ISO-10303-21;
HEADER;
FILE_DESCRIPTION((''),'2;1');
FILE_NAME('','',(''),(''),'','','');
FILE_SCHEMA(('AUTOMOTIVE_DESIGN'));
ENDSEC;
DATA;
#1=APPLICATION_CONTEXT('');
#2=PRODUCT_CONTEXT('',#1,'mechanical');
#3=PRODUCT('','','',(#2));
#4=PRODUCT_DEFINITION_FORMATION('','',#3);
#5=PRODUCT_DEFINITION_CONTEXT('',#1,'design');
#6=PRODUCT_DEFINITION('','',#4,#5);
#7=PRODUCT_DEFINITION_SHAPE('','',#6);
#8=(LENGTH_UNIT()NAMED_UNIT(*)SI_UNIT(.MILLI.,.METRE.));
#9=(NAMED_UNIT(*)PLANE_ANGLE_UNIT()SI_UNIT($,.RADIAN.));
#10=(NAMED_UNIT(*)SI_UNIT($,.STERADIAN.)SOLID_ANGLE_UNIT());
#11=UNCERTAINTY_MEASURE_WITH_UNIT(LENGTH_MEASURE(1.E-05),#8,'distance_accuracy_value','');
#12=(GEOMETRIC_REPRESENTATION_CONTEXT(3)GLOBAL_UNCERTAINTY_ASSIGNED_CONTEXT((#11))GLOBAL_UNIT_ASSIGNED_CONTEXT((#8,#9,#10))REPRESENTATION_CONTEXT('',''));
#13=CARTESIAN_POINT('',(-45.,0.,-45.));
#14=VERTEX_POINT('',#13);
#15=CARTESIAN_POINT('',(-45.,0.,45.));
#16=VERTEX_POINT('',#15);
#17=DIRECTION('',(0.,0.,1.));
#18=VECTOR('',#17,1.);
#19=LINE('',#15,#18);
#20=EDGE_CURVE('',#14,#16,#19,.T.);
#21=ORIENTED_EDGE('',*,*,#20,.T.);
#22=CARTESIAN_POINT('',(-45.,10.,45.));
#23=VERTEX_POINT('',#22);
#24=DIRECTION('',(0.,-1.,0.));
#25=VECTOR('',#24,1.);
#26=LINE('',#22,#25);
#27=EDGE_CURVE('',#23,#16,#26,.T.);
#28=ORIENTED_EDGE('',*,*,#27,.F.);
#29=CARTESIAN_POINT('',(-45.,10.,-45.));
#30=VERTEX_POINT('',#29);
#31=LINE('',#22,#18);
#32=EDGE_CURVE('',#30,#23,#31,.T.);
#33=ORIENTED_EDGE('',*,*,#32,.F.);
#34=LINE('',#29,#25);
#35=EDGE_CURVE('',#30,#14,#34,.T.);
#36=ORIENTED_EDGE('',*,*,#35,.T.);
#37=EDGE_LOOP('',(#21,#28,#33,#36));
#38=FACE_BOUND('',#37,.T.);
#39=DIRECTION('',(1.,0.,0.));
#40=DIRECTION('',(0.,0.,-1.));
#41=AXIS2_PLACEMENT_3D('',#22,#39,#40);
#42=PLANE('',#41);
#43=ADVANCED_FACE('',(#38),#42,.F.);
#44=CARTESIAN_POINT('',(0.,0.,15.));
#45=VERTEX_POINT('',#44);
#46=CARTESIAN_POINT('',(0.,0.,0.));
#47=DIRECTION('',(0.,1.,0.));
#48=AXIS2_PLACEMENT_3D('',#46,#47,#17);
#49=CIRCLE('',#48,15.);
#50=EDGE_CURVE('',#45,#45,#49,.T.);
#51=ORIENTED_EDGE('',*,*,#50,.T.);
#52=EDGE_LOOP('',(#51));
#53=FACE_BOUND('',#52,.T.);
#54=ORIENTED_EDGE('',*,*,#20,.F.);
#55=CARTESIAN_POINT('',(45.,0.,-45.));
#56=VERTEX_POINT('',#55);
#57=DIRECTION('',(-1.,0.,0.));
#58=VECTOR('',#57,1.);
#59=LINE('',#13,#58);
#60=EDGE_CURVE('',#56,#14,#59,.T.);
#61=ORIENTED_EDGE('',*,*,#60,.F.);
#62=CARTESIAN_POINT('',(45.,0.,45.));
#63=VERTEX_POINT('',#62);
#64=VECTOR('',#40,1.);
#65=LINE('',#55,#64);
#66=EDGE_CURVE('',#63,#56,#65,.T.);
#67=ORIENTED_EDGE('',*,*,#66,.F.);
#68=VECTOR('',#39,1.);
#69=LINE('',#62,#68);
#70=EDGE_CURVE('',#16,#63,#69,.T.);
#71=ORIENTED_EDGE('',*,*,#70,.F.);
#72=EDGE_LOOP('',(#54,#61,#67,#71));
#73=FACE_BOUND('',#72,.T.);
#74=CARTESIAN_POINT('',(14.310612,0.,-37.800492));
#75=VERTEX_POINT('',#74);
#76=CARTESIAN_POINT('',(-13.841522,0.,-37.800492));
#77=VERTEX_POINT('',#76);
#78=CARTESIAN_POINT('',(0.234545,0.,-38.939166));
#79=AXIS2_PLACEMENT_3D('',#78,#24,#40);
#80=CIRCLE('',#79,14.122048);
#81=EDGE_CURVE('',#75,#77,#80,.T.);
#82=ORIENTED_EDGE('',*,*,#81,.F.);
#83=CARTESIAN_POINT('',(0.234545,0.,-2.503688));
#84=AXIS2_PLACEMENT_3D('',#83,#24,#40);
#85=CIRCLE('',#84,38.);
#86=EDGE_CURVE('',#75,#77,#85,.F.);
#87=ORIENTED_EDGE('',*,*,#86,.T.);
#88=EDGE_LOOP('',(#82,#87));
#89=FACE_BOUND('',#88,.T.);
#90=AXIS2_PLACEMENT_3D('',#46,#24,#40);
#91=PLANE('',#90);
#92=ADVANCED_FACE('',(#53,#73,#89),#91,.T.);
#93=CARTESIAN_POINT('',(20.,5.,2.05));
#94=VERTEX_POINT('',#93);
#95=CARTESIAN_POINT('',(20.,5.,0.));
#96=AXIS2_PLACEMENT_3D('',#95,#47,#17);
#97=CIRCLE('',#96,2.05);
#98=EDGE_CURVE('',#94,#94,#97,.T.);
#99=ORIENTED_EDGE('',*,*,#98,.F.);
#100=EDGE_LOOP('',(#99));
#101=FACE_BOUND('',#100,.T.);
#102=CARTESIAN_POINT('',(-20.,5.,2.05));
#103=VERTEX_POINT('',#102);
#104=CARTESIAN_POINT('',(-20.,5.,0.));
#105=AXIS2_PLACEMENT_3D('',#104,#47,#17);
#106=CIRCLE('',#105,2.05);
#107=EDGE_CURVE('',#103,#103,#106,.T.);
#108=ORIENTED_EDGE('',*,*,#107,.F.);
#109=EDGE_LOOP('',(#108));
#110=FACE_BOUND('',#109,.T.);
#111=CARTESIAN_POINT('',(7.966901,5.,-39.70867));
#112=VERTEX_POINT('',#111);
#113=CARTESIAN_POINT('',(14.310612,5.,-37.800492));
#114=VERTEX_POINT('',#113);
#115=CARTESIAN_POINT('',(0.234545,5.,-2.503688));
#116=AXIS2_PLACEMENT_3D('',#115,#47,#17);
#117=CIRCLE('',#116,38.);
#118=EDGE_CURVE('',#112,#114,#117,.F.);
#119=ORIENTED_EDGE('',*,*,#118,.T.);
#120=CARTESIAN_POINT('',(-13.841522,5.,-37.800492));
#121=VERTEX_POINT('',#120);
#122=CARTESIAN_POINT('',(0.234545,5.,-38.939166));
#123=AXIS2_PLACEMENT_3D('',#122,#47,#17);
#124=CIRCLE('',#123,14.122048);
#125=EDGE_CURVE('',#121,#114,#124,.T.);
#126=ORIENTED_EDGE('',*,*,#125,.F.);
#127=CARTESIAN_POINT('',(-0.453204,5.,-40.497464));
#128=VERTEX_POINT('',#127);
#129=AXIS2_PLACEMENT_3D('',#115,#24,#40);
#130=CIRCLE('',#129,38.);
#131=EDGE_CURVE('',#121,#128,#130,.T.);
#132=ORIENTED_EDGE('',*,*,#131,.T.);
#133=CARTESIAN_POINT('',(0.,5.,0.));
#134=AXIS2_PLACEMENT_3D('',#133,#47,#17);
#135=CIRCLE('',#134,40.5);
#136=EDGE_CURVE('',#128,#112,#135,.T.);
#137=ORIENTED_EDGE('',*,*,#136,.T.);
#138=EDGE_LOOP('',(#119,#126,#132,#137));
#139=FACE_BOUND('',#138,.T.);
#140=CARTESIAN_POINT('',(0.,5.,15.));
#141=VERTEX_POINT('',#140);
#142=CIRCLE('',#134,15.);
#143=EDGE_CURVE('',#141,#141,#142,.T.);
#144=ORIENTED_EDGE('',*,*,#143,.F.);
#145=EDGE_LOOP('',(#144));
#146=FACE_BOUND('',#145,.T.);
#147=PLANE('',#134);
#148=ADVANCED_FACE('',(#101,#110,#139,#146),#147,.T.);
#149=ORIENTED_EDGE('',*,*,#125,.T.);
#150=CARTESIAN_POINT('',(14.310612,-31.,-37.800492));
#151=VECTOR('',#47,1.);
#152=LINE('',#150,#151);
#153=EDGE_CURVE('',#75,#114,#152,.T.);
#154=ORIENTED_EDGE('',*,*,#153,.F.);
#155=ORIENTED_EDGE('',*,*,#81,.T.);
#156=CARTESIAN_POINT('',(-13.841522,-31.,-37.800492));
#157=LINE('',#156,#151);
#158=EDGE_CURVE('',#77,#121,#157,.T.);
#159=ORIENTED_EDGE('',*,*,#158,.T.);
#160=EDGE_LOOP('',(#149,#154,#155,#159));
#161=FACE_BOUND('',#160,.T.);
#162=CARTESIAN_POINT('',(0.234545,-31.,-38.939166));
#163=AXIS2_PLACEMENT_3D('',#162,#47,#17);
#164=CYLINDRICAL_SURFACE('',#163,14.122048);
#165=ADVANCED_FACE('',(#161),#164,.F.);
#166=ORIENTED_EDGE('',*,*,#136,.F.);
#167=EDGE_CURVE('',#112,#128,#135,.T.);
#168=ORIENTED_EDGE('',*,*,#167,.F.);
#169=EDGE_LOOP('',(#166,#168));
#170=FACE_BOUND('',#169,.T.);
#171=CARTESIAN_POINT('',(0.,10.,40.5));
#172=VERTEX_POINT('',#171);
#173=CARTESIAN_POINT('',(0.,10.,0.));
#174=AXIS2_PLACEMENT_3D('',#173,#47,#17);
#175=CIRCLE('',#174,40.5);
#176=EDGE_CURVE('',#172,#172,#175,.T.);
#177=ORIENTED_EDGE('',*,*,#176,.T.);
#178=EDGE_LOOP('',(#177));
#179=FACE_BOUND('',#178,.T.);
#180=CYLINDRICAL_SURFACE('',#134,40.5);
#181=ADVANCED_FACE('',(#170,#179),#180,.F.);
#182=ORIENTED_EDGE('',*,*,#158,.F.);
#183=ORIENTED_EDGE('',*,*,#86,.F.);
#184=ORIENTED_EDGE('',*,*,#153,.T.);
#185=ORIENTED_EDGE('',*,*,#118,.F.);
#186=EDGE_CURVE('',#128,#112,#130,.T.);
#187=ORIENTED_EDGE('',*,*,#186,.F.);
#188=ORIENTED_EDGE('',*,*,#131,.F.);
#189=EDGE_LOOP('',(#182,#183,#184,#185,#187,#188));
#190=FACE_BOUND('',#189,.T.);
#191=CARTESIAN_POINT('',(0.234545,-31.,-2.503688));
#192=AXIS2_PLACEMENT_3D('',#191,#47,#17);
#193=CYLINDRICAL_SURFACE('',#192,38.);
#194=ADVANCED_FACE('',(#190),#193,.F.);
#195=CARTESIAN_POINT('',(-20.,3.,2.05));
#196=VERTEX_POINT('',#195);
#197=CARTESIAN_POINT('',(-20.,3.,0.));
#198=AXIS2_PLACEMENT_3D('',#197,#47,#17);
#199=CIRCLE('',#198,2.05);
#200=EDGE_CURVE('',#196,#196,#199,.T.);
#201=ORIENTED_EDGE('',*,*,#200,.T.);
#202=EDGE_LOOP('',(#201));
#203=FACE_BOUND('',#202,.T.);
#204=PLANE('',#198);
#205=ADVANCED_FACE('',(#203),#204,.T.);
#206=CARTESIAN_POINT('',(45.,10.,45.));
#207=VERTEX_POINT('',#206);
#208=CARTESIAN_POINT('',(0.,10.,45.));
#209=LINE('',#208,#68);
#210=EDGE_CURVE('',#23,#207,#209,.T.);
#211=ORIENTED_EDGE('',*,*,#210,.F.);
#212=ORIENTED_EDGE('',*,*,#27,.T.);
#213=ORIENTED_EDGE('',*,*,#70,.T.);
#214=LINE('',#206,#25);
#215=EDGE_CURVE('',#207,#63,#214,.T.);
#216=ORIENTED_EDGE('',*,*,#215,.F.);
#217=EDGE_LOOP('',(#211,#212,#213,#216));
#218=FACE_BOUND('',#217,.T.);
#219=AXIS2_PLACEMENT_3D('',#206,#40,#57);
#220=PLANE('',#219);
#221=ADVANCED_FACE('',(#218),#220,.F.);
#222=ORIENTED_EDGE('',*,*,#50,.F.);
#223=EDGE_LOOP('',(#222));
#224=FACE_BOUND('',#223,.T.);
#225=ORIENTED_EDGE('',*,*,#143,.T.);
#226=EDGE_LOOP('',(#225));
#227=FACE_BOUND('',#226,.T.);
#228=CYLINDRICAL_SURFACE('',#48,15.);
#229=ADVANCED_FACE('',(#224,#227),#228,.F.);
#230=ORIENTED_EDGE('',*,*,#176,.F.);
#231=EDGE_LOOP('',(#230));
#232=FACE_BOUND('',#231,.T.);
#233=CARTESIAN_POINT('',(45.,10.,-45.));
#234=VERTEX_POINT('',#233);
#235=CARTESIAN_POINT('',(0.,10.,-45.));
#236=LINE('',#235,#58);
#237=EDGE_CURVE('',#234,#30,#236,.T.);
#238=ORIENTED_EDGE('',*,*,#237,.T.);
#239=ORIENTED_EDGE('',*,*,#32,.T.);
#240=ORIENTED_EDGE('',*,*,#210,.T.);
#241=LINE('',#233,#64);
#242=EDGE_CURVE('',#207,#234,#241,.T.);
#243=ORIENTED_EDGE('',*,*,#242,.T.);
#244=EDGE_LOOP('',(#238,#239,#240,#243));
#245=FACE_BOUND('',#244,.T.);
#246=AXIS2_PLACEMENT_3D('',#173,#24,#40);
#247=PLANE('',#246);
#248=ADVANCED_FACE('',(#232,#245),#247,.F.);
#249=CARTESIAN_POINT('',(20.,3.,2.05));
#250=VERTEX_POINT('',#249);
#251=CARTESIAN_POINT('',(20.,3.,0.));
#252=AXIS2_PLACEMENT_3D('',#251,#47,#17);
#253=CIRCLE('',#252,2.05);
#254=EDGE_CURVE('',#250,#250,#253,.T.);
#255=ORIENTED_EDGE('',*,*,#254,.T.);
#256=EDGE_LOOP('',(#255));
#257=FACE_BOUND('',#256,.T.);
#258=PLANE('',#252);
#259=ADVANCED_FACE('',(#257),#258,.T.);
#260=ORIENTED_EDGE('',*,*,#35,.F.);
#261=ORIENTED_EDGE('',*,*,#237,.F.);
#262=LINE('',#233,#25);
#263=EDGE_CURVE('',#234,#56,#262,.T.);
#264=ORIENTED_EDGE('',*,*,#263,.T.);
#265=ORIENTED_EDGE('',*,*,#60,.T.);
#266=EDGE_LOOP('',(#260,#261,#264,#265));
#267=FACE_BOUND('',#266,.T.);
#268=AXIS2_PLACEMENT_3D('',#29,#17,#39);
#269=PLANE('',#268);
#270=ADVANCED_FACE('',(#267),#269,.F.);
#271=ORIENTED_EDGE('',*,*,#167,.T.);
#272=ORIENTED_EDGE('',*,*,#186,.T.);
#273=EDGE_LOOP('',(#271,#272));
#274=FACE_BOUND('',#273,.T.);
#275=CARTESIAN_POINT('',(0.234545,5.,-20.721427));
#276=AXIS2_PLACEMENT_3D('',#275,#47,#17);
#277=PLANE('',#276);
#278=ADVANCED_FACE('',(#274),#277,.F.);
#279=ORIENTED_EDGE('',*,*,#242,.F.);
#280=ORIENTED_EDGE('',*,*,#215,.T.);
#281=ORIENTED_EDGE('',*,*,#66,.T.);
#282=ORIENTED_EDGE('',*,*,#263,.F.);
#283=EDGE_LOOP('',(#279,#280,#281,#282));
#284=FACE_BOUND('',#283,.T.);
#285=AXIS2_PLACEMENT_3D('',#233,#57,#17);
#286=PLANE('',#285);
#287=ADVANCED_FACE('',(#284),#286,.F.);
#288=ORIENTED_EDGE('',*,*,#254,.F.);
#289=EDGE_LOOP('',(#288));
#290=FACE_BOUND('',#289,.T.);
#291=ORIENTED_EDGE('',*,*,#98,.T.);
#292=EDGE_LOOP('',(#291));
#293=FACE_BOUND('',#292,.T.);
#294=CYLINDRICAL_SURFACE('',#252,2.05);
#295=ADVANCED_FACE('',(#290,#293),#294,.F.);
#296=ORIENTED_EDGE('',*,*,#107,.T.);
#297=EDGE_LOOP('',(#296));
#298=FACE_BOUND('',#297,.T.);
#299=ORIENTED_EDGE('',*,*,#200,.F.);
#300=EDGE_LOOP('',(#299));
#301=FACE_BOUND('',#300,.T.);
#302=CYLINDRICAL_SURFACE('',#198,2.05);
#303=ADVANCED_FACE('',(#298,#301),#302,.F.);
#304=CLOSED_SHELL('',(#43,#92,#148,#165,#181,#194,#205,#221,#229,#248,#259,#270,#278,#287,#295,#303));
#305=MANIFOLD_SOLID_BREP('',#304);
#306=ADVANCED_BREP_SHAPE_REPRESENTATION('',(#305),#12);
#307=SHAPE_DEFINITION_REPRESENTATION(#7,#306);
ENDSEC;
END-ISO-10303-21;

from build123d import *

# Parameters (mm, degrees)
BOSS_EXTRUDE1_DEPTH = 10
SKETCH2_R           = 40.5
CUT_EXTRUDE1_DEPTH  = 5
SKETCH4_R           = 2.05
CUT_EXTRUDE2_DEPTH  = 2
SKETCH5_R           = 15
CUT_EXTRUDE3_DEPTH  = 64.835726674
CUT_EXTRUDE4_DEPTH  = 36


with BuildPart() as part:
    # Sketch1 → Boss-Extrude1 (new body)
    with BuildSketch(Plane(origin=(0, 0, 0), x_dir=(1, 0, 0), z_dir=(0, 1, 0))):
        Polygon((0, -45), (-45, -45), (-45, 45), (0, 45), (45, 45), (45, -45), align=None)
    extrude(amount=BOSS_EXTRUDE1_DEPTH)

    # Sketch2 → Cut-Extrude1 (cut)
    with BuildSketch(Plane(origin=(0, 10, 0), x_dir=(1, 0, 0), z_dir=(0, 1, 0))):
        with Locations(Location((0, 0, 0), (0, 0, 270))):
            Circle(SKETCH2_R)
    extrude(amount=-CUT_EXTRUDE1_DEPTH, mode=Mode.SUBTRACT)

    # Sketch4 → Cut-Extrude2 (cut)
    with BuildSketch(Plane(origin=(0, 5, 0), x_dir=(1, 0, 0), z_dir=(0, 1, 0))):
        with Locations(Location((-20, 0, 0), (0, 0, 270))):
            Circle(SKETCH4_R)
        with Locations(Location((20, 0, 0), (0, 0, 270))):
            Circle(SKETCH4_R)
    extrude(amount=-CUT_EXTRUDE2_DEPTH, mode=Mode.SUBTRACT)

    # Sketch5 → Cut-Extrude3 (cut, through all)
    with BuildSketch(Plane(origin=(0, 5, 0), x_dir=(1, 0, 0), z_dir=(0, 1, 0))):
        with Locations(Location((0, 0, 0), (0, 0, 270))):
            Circle(SKETCH5_R)
    extrude(amount=-CUT_EXTRUDE3_DEPTH, mode=Mode.SUBTRACT)

    # Sketch7 → Cut-Extrude4 (cut)
    with BuildSketch(Plane(origin=(0, 5, 0), x_dir=(1, 0, 0), z_dir=(0, 1, 0))):
        with BuildLine():
            ThreePointArc((-13.841521615, 37.800491998), (0.234545088, 24.817118498), (14.31061179, 37.800491998))
            ThreePointArc((14.31061179, 37.800491998), (0.234545088, 40.503688372), (-13.841521615, 37.800491998))
        make_face()
    extrude(amount=-CUT_EXTRUDE4_DEPTH, mode=Mode.SUBTRACT)


solid = part.part
